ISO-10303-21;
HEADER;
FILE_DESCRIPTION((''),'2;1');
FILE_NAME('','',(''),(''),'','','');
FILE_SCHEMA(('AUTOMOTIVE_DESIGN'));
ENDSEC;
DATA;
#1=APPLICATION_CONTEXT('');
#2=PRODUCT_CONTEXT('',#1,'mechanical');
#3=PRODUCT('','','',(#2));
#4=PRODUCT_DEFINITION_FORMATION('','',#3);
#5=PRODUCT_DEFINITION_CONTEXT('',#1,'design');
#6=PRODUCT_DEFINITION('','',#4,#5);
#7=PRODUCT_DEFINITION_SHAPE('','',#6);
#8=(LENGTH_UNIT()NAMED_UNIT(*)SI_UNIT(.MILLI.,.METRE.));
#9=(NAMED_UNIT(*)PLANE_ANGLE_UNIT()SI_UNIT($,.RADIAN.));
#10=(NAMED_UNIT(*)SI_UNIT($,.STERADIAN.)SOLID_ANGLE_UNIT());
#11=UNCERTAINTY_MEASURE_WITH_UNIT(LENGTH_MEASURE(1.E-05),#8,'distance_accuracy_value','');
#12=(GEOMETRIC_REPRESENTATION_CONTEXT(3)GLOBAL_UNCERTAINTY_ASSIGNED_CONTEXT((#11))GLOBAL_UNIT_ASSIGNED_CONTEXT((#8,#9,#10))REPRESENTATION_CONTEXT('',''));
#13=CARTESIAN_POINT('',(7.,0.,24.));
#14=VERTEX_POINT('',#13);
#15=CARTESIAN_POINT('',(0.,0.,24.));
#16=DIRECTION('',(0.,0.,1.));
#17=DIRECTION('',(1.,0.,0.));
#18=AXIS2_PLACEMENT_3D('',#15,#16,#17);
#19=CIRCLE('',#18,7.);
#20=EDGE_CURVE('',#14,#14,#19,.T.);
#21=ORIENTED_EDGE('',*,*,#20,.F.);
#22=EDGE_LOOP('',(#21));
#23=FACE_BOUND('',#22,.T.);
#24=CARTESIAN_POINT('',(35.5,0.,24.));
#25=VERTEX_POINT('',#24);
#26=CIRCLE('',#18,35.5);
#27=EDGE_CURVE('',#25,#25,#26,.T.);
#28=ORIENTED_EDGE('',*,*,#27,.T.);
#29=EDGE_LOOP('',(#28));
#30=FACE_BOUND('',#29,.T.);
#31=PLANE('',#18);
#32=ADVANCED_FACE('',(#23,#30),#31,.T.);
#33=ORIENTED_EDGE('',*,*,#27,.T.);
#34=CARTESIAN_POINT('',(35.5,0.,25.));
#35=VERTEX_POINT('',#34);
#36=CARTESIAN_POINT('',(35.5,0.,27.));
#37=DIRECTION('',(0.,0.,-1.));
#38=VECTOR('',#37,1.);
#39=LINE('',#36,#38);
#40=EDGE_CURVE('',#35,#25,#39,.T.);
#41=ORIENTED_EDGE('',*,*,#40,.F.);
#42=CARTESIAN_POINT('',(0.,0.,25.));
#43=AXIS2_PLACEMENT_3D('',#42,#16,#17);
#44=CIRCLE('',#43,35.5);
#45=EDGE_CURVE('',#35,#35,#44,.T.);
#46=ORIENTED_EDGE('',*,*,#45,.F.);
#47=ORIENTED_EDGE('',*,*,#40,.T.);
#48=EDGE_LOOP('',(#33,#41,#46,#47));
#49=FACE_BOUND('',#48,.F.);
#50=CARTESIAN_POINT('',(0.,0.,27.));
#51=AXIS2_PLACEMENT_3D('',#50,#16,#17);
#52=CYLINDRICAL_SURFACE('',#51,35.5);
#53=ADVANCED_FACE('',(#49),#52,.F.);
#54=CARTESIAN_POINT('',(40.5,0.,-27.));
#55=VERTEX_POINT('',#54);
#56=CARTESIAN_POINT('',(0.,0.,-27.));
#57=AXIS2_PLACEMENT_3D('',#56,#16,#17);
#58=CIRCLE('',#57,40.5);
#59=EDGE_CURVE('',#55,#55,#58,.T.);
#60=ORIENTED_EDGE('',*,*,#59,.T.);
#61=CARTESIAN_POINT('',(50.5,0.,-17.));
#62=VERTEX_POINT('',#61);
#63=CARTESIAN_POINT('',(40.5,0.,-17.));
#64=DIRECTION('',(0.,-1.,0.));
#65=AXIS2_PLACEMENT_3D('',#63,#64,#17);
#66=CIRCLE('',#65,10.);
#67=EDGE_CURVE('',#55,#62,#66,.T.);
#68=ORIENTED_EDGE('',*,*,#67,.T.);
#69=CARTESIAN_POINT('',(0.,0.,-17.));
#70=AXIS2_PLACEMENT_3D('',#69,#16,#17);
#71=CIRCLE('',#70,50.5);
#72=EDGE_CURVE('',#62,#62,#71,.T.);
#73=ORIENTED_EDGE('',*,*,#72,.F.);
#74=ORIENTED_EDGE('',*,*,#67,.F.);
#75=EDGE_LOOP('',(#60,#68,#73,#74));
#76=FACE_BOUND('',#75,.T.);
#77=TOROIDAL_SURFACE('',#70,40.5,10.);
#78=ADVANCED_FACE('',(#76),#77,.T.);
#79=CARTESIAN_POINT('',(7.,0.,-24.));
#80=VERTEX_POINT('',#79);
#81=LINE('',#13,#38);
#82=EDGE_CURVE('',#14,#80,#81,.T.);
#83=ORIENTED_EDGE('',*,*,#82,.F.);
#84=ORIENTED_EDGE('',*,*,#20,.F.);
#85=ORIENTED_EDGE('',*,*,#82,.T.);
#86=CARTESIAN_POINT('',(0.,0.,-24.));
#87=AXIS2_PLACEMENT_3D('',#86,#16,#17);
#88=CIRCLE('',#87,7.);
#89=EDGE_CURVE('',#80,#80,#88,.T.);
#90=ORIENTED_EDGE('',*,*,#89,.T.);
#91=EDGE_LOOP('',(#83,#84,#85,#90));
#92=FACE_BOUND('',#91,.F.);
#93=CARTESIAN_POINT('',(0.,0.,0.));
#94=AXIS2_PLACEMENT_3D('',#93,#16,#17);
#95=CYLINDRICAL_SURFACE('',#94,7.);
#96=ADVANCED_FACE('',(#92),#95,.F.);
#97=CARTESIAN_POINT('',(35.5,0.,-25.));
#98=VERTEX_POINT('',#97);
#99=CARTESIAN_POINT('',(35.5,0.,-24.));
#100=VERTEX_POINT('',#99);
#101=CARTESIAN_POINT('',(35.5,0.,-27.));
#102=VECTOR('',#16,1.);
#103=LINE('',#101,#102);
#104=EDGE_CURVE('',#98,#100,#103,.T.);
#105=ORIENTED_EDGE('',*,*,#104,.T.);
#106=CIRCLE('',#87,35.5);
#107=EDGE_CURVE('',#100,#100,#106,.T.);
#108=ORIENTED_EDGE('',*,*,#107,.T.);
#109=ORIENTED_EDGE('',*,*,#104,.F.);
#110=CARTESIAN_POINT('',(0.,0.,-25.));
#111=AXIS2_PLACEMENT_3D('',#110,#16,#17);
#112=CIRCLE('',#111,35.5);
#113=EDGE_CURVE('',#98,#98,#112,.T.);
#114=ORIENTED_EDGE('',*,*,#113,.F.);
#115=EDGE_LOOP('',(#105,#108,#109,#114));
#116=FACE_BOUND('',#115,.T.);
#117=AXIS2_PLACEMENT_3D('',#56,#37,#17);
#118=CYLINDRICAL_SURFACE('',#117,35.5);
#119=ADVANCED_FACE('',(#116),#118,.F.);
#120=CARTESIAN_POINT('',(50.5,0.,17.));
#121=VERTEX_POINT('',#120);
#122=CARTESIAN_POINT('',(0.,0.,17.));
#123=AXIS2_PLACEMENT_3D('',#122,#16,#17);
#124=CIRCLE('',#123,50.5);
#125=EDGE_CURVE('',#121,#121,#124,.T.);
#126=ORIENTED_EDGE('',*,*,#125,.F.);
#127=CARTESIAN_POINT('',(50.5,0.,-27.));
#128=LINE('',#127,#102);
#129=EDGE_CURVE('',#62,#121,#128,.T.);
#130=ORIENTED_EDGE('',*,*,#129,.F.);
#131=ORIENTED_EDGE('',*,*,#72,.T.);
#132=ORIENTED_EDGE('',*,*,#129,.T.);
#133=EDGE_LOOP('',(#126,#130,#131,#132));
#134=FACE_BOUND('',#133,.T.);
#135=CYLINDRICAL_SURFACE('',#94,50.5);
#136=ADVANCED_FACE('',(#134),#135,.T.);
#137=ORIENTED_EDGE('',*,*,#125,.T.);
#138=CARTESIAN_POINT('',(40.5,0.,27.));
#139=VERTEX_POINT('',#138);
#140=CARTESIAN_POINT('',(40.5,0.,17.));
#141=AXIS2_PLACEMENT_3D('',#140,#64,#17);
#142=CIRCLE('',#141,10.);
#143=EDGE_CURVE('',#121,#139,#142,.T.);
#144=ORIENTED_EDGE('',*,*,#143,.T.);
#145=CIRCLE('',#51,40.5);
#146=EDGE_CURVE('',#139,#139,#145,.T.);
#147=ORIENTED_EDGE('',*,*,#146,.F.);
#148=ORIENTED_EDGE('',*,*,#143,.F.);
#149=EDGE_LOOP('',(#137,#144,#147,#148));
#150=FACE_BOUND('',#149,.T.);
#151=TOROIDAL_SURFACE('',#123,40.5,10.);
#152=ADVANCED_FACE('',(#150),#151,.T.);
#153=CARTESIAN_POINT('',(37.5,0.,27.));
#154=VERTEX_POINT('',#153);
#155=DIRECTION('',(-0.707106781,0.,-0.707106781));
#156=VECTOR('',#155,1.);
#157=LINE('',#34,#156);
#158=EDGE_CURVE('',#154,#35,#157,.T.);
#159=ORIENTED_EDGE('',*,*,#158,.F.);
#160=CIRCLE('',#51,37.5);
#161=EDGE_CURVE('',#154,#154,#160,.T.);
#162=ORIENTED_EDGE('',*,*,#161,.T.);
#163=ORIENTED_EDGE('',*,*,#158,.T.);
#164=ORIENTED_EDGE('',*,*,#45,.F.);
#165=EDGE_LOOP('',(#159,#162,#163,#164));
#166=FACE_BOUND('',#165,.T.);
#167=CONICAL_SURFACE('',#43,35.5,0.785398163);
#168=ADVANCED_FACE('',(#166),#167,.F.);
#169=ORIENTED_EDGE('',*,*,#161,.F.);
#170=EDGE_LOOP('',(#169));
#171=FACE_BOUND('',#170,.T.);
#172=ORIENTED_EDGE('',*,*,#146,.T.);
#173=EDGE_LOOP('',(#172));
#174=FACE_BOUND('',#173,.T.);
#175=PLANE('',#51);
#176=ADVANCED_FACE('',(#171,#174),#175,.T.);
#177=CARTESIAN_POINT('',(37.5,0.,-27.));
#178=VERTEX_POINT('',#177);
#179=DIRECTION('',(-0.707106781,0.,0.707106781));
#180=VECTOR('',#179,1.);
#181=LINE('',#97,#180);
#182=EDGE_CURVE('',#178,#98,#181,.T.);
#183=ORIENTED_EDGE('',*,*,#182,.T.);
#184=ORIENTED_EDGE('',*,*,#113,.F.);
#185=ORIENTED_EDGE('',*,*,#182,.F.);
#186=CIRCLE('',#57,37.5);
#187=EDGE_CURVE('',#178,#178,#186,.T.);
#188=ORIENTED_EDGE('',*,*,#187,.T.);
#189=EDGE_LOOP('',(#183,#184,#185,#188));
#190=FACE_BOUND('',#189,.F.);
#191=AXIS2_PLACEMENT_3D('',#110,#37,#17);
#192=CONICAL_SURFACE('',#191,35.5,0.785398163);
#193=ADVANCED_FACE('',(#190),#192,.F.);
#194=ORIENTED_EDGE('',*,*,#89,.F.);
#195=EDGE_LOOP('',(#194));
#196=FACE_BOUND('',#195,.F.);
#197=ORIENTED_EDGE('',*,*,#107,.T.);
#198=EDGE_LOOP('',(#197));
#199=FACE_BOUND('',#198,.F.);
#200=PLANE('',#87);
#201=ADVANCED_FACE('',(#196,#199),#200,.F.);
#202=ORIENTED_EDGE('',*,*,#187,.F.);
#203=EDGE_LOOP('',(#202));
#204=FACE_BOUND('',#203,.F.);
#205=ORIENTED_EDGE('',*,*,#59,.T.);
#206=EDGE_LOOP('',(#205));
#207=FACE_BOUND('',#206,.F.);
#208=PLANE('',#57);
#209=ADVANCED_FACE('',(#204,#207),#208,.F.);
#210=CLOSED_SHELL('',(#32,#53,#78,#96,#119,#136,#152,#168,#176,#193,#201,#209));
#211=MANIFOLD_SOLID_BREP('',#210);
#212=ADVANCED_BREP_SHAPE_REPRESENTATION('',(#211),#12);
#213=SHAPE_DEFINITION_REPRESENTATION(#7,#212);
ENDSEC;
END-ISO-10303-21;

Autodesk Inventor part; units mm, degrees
ref_plane "YZ Plane" through (0, 0, 0) normal (1, 0, 0) x (0, 1, 0)
ref_plane "XZ Plane" through (0, 0, 0) normal (0, 1, 0) x (-1, 0, 0)
ref_plane "XY Plane" through (0, 0, 0) normal (0, 0, 1) x (1, 0, 0)
sketch "Sketch2" plane through (0, 0, 0) normal (0, 0, 1) x (1, 0, 0)
  circle A0 centre (0, 0) radius 50.5
  circle A1 centre (0, 0) radius 47.5
  circle A2 centre (0, 0) radius 35.5
  circle A3 centre (0, 0) radius 7
  dimension "d0" = 101
  dimension "d1" = 3
  dimension "d2" = 15
  dimension "d3" = 14
extrude "Extrusion1" add sketch "Sketch2" along normal blind 27 and the other way blind 27 contours A0 | A1 | A2
extrude "Extrusion2" cut sketch "Sketch2" against normal blind 3 from surface at 27 contours A2
extrude "Extrusion3" cut sketch "Sketch2" along normal blind 3 from surface at -27 contours A2
chamfer "Chamfer1" distance 2 angle 45 2 edges at (-35.5, 0, 27) (-35.5, 0, -27)
fillet "Fillet1" radius 10 2 edges at (-50.5, 0, -27) (-50.5, 0, 27)
properties part number "wheel_stand_in"
